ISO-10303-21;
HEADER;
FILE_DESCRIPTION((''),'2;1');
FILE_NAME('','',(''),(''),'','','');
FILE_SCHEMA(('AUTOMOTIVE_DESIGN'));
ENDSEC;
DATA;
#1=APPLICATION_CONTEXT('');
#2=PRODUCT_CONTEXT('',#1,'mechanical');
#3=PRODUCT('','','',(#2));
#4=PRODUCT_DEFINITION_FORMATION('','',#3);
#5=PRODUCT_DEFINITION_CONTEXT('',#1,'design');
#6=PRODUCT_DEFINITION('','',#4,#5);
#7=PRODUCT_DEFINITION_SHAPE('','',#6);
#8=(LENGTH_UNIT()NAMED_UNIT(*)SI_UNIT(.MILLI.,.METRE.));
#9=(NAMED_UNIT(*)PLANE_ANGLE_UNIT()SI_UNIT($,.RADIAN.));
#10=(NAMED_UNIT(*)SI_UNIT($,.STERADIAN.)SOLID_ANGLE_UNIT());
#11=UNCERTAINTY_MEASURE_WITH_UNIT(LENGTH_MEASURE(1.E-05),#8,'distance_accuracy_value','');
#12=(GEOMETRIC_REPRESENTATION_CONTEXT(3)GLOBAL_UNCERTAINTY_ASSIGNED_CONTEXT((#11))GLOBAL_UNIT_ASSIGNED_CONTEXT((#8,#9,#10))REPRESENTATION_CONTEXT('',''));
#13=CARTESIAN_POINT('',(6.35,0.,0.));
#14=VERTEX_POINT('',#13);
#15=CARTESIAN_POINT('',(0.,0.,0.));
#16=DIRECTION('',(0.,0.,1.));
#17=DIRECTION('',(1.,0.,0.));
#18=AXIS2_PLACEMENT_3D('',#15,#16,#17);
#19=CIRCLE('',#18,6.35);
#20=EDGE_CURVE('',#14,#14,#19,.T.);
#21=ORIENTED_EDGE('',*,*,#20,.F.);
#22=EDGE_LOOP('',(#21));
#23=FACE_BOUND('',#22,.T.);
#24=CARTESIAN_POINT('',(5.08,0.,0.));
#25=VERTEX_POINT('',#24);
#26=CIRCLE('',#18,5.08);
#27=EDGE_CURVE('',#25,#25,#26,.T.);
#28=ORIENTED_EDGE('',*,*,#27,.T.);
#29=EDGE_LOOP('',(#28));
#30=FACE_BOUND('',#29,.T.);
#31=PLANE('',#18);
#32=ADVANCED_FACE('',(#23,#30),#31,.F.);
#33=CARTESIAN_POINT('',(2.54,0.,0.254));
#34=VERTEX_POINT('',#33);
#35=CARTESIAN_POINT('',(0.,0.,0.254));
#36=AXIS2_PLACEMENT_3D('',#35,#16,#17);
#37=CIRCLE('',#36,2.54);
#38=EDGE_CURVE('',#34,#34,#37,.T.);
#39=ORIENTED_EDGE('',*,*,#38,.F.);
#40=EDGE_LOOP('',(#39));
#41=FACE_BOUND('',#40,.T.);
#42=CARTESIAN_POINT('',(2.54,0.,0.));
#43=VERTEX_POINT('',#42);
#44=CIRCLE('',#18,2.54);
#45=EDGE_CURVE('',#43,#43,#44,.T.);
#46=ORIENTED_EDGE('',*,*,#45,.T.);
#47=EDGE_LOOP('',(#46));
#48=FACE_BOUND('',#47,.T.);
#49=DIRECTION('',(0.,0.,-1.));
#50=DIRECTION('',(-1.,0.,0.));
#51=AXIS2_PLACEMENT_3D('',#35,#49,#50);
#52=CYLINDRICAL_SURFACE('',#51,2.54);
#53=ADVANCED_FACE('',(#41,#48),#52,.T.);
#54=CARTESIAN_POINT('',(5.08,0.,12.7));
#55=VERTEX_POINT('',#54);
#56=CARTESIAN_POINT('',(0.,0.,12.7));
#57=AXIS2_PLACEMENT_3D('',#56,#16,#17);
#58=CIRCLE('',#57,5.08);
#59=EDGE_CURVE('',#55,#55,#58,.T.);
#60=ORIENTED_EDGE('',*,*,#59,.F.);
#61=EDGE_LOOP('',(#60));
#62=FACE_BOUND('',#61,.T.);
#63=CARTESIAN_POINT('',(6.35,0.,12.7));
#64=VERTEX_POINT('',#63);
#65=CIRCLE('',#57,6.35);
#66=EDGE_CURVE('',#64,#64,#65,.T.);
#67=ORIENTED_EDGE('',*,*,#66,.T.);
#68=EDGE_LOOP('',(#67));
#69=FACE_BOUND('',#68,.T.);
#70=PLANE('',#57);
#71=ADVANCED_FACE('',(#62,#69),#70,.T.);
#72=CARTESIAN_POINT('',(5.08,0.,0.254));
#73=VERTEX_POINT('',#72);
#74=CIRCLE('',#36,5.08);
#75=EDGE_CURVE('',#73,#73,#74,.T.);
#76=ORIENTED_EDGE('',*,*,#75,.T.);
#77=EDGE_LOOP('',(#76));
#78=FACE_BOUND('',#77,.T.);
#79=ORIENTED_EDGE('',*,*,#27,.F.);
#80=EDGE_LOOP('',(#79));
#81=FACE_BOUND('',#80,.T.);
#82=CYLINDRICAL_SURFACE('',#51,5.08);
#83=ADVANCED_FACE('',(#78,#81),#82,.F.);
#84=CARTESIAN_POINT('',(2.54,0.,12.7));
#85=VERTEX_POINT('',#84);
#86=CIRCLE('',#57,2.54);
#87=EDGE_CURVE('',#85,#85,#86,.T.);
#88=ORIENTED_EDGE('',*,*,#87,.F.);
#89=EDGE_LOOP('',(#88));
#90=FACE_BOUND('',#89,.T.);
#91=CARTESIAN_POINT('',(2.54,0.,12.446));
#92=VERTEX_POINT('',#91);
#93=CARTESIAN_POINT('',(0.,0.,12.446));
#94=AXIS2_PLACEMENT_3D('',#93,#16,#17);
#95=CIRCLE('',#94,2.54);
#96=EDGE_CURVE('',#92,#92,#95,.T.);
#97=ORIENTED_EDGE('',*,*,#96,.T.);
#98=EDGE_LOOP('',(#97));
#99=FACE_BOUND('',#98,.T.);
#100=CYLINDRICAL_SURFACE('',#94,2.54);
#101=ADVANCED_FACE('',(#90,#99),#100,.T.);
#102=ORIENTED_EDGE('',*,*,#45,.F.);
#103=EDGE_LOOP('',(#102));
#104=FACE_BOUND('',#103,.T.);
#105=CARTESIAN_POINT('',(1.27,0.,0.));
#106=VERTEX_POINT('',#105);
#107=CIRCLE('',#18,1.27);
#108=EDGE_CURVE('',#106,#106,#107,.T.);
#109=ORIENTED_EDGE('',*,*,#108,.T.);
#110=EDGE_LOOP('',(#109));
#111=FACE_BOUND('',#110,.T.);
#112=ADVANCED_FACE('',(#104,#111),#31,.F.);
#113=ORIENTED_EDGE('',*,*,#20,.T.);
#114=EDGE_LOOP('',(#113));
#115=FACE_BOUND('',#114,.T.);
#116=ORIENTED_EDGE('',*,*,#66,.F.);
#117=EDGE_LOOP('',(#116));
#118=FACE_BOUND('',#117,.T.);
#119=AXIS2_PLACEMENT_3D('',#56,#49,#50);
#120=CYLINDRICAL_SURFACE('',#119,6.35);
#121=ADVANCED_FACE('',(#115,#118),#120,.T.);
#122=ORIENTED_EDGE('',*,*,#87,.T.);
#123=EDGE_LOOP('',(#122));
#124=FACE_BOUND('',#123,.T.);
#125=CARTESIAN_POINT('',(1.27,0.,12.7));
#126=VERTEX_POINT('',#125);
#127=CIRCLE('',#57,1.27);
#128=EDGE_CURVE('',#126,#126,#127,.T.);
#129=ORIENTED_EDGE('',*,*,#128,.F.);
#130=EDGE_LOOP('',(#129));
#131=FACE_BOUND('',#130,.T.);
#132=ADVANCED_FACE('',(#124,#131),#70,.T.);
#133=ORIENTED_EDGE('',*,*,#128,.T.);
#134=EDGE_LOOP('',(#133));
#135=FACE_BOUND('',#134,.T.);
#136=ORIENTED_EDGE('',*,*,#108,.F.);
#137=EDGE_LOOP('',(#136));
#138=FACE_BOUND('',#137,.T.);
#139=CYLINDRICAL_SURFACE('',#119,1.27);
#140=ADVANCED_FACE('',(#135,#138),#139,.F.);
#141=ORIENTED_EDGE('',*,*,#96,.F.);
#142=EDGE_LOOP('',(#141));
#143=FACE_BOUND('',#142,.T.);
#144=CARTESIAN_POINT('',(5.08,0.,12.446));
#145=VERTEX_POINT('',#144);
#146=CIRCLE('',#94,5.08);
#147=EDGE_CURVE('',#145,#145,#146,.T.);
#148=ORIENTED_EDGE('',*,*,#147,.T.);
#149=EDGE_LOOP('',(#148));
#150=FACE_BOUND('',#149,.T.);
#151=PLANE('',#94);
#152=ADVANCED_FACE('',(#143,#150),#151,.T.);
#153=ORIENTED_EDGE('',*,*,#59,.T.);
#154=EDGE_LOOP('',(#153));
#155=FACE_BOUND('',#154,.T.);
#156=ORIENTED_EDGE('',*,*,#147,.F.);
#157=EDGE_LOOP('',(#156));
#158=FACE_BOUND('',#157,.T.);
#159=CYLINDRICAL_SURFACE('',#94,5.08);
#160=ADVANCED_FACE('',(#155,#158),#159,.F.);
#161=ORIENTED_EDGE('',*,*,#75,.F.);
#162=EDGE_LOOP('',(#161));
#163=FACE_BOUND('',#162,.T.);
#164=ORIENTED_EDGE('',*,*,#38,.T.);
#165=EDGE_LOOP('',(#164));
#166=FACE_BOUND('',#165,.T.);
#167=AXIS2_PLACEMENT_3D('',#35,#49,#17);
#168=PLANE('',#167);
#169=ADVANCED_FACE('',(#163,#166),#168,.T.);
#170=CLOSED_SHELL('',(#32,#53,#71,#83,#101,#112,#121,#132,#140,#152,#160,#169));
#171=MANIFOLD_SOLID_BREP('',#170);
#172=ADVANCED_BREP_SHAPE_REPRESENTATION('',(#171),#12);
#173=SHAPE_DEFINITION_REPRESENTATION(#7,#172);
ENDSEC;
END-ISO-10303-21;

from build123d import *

# Parameters (mm, degrees)
SKETCH1_R           = 6.35
SKETCH1_R_2         = 1.27
BOSS_EXTRUDE1_DEPTH = 12.7
SKETCH2_R           = 5.08
SKETCH2_R_2         = 2.54
CUT_EXTRUDE1_DEPTH  = 0.254


with BuildPart() as part:
    # Sketch1 → Boss-Extrude1 (new body)
    with BuildSketch(Plane.XY):
        Circle(SKETCH1_R)
        Circle(SKETCH1_R_2, mode=Mode.SUBTRACT)
    extrude(amount=BOSS_EXTRUDE1_DEPTH)

    # Sketch2 → Cut-Extrude1 (cut)
    with BuildSketch(Plane.XY.offset(12.7)):
        Circle(SKETCH2_R)
        Circle(SKETCH2_R_2, mode=Mode.SUBTRACT)
    cut_extrude1 = extrude(amount=-CUT_EXTRUDE1_DEPTH, mode=Mode.SUBTRACT)

    # Mirror1: Cut-Extrude1 across plane
    add(cut_extrude1.mirror(Plane.XY.offset(6.35)), mode=Mode.SUBTRACT)


solid = part.part
